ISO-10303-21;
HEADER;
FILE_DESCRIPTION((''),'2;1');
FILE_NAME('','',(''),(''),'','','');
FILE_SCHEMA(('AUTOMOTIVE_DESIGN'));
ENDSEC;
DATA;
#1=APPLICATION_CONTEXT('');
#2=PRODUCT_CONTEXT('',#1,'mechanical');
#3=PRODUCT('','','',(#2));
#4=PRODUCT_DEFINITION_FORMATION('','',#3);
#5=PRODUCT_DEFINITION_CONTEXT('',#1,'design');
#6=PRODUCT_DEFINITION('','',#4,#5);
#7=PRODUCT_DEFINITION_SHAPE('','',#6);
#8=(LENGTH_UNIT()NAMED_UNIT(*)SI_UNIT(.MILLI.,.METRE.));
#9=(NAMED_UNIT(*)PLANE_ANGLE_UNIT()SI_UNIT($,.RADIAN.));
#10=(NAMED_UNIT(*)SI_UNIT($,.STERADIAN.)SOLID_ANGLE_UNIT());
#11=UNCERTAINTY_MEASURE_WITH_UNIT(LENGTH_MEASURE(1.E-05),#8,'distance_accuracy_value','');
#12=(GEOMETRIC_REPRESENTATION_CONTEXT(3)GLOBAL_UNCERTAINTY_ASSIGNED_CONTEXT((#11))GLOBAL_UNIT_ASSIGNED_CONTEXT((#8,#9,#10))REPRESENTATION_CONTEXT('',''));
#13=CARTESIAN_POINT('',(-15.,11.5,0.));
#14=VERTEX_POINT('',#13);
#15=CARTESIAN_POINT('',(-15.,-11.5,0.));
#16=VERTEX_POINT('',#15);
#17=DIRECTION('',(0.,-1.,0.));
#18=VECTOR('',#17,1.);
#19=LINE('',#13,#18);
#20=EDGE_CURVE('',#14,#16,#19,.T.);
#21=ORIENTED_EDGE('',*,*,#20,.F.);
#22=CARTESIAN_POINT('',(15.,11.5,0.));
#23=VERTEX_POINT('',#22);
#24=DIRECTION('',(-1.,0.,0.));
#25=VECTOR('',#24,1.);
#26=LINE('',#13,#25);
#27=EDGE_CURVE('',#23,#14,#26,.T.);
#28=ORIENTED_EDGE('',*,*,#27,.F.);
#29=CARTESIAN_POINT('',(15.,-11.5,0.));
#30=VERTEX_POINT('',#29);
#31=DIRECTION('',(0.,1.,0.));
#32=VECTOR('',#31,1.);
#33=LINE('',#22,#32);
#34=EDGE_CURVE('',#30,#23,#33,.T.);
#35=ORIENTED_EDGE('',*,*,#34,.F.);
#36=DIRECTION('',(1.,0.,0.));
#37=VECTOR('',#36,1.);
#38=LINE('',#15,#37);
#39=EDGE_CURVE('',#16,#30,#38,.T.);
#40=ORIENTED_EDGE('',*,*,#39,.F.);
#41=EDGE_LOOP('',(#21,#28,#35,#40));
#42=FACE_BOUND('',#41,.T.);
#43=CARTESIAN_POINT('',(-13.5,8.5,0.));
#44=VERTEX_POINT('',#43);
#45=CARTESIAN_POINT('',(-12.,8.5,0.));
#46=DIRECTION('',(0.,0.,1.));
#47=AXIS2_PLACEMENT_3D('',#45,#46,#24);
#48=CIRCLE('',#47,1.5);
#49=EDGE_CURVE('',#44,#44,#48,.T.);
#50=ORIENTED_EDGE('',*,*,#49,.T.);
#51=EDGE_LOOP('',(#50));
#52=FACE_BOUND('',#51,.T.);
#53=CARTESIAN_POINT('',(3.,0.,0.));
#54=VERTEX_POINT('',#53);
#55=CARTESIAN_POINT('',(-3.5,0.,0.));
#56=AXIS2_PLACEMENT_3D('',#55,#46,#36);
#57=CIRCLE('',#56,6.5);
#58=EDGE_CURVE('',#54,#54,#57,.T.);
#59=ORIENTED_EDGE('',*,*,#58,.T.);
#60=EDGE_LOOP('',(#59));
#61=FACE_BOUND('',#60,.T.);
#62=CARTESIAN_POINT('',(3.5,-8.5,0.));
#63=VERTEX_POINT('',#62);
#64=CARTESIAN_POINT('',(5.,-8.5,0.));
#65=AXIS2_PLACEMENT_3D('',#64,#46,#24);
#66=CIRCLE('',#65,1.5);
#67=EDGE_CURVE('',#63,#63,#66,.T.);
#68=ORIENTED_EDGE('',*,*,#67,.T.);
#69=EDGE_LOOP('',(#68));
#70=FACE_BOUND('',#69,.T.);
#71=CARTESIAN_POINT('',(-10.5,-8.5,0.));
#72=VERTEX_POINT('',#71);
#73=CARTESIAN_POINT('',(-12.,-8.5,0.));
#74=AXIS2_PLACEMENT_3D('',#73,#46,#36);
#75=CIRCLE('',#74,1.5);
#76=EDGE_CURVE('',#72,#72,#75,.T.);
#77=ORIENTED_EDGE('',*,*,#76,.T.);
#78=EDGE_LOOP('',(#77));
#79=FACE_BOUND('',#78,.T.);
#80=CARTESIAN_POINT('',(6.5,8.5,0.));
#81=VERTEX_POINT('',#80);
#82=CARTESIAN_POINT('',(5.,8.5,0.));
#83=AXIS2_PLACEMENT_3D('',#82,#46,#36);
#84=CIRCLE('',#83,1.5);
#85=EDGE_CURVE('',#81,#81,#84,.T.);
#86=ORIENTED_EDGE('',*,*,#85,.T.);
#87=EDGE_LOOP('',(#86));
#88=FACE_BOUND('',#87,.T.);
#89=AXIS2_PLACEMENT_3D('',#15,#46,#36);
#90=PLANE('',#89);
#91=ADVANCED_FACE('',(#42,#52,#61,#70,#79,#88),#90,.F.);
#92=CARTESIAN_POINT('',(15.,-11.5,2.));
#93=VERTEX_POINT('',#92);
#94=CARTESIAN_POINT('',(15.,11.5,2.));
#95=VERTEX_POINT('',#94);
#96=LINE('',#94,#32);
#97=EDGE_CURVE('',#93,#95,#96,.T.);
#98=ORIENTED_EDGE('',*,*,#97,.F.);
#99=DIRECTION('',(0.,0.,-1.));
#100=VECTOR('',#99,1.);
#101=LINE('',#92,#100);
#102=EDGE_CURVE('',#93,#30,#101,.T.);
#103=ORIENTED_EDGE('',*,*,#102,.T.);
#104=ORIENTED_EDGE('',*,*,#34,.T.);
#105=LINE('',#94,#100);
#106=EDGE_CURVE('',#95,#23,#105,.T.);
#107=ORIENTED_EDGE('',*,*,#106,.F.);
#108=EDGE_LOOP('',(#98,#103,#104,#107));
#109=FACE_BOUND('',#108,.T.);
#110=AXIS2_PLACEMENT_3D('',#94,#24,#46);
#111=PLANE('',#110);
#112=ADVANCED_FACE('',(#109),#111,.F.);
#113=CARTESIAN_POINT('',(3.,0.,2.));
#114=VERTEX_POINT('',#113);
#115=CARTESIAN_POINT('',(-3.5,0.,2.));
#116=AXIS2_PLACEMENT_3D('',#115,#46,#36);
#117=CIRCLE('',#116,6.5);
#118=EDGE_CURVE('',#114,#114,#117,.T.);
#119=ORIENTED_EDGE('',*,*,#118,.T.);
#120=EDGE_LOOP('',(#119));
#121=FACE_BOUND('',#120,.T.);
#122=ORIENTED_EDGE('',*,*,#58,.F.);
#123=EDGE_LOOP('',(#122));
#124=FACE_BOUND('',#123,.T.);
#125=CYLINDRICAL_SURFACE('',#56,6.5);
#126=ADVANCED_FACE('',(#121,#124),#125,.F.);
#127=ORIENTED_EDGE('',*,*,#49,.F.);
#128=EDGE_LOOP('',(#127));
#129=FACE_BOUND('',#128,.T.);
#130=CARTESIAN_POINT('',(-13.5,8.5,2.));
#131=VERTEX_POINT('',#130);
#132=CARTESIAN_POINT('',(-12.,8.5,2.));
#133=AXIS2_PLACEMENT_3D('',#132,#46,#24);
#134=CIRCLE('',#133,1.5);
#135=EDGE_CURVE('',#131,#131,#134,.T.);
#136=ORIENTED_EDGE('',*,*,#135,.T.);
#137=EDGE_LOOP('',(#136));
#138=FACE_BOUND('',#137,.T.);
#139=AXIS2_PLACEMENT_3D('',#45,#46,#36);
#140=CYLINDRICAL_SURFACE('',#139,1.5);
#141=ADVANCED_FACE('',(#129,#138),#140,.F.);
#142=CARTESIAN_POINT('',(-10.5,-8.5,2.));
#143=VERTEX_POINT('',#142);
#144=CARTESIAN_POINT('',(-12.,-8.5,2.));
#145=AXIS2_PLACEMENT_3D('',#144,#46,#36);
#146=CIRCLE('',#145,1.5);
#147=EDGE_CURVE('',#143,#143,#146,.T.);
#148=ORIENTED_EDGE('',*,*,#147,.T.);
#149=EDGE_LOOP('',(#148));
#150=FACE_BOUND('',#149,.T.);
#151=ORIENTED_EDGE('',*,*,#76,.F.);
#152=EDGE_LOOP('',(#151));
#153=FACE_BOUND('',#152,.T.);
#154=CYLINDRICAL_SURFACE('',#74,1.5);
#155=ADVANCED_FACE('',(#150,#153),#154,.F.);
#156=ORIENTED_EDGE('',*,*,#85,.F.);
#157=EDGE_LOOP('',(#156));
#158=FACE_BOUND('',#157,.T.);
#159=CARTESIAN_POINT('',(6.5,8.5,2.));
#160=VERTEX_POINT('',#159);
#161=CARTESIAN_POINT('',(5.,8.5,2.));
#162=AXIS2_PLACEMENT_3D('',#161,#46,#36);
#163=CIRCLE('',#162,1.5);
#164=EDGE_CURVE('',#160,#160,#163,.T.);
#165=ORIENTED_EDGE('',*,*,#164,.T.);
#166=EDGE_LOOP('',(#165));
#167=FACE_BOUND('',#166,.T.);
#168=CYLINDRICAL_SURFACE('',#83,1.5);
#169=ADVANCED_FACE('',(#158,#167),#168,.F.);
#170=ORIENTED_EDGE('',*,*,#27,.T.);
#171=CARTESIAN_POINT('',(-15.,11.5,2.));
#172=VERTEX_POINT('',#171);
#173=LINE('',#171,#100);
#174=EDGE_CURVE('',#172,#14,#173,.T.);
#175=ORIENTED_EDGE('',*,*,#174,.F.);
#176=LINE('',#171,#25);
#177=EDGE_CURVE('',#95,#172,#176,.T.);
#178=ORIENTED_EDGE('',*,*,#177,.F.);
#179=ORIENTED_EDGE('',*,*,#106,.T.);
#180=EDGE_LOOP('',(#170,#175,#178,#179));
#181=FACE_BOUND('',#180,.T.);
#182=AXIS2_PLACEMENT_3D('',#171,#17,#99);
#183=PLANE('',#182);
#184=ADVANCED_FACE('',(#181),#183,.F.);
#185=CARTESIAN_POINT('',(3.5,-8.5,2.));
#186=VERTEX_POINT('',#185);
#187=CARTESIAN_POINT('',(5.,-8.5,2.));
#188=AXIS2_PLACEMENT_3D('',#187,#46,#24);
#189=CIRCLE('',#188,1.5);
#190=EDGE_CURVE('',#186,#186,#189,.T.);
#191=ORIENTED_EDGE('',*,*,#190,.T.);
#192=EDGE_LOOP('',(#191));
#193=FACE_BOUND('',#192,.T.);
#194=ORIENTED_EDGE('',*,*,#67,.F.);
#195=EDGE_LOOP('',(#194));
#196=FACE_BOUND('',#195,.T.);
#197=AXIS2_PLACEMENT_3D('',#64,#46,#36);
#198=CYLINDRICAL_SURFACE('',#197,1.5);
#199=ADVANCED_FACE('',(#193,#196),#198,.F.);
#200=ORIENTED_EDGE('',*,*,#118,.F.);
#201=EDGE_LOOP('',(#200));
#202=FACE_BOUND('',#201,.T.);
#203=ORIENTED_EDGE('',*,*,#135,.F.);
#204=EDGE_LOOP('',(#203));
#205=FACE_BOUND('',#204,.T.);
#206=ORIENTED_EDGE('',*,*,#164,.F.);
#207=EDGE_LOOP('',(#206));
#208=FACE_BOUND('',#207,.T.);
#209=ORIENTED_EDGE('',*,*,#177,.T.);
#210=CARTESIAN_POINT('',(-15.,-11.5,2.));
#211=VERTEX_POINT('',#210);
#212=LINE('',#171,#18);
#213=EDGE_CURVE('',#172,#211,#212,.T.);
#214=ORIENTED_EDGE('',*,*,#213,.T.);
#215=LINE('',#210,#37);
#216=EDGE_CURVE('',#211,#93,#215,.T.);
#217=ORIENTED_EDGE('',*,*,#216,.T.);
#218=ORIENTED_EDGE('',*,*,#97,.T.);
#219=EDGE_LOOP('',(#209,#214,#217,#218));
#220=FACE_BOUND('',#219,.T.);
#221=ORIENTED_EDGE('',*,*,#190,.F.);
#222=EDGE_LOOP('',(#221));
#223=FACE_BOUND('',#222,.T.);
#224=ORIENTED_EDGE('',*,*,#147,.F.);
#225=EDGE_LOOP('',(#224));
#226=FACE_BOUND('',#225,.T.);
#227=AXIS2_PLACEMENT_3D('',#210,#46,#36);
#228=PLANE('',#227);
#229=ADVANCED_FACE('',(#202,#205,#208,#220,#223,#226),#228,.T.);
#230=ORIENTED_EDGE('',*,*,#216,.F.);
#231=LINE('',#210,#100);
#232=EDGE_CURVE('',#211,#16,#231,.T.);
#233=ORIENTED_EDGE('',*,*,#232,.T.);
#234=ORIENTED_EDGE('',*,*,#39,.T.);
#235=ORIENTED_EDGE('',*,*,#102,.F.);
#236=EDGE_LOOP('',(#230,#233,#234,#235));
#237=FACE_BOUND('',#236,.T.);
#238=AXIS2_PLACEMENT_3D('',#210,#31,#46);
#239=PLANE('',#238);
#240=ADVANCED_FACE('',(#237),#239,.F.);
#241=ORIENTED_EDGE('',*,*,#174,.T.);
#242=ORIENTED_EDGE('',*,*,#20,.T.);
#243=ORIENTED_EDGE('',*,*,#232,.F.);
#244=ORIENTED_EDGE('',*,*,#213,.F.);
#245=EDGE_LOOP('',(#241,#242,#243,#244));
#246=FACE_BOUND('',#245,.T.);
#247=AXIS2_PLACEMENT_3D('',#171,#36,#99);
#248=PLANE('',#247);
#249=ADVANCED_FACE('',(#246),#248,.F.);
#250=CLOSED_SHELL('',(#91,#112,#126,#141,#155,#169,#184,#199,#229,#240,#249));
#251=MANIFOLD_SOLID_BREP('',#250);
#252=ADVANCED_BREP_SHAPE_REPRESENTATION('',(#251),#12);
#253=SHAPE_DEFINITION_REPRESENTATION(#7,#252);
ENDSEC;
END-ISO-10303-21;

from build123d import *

# Parameters (mm, degrees)
ESBO_O1_W                = 30
ESBO_O1_H                = 23
RESSALTO_EXTRUS_O1_DEPTH = 2
ESBO_O2_R                = 6.5
ESBO_O2_R_2              = 1.5
CORTE_EXTRUS_O1_DEPTH    = 20.006577809


with BuildPart() as part:
    # Esboço1 → Ressalto-extrusão1 (new body)
    with BuildSketch(Plane.XY):
        Rectangle(ESBO_O1_W, ESBO_O1_H)
    extrude(amount=RESSALTO_EXTRUS_O1_DEPTH)

    # Esboço2 → Corte-extrusão1 (cut, through all)
    with BuildSketch(Plane.XY.offset(2)):
        with Locations((-3.5, 0)):
            Circle(ESBO_O2_R)
        with Locations((5, 8.5)):
            Circle(ESBO_O2_R_2)
        with Locations(Location((5, -8.5, 0), (0, 0, 180))):
            Circle(ESBO_O2_R_2)
        with Locations((-12, -8.5)):
            Circle(ESBO_O2_R_2)
        with Locations(Location((-12, 8.5, 0), (0, 0, 180))):
            Circle(ESBO_O2_R_2)
    extrude(amount=-CORTE_EXTRUS_O1_DEPTH, mode=Mode.SUBTRACT)


solid = part.part
